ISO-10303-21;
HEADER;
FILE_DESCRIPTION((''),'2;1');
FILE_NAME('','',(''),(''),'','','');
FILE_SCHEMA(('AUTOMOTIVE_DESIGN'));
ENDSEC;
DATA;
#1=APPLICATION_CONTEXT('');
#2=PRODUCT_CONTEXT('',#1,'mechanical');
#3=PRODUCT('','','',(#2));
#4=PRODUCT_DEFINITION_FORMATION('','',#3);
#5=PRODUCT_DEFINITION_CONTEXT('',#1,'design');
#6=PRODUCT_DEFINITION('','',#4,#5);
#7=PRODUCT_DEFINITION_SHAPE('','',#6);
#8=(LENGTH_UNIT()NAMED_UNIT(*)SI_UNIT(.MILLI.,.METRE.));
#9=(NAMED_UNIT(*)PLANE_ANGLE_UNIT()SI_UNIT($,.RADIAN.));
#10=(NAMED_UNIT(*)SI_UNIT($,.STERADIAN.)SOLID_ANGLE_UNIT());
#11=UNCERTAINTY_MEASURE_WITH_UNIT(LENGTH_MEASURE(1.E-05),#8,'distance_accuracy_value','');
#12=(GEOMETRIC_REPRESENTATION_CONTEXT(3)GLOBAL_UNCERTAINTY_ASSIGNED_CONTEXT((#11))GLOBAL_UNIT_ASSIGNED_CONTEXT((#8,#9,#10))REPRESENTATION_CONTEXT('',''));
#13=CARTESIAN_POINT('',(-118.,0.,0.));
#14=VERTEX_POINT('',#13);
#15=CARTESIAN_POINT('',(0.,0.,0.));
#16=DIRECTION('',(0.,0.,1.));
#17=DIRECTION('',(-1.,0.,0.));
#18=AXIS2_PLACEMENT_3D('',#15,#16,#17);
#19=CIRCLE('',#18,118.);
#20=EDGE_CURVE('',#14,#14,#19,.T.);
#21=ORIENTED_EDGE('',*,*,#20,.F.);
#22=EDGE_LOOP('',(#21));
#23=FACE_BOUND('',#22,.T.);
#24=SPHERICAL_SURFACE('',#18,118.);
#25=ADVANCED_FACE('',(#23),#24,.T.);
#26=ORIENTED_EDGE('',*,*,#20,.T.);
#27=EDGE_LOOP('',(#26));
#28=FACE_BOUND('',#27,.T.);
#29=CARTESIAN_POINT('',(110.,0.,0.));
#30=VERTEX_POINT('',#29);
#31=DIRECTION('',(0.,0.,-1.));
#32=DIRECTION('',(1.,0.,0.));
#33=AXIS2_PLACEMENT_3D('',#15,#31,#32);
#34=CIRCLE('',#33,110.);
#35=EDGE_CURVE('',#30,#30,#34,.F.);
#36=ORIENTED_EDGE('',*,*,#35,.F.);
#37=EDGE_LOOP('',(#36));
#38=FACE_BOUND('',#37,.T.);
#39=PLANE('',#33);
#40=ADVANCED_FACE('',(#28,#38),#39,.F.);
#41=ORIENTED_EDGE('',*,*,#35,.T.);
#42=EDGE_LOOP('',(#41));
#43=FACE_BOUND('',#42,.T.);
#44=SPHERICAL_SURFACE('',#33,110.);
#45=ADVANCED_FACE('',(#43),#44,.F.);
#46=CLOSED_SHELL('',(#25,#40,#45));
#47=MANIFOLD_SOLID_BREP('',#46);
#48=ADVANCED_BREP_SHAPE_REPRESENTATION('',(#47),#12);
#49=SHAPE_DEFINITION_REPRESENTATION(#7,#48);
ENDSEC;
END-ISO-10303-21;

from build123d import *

# Parameters (mm, degrees)
REVOLVE_THIN1_ANGLE = 180


with BuildPart() as part:
    # Sketch1 → Revolve-Thin1 (revolve)
    with BuildSketch(Plane.XY):
        with BuildLine():
            ThreePointArc((118, 0), (0, -118), (-118, 0))
            Line((-118, 0), (-110, 0))
            ThreePointArc((-110, 0), (0, -110), (110, 0))
            Line((110, 0), (118, 0))
        make_face()
    revolve(axis=Axis((-118, 0, 0), (1, 0, 0)), revolution_arc=REVOLVE_THIN1_ANGLE)


solid = part.part
